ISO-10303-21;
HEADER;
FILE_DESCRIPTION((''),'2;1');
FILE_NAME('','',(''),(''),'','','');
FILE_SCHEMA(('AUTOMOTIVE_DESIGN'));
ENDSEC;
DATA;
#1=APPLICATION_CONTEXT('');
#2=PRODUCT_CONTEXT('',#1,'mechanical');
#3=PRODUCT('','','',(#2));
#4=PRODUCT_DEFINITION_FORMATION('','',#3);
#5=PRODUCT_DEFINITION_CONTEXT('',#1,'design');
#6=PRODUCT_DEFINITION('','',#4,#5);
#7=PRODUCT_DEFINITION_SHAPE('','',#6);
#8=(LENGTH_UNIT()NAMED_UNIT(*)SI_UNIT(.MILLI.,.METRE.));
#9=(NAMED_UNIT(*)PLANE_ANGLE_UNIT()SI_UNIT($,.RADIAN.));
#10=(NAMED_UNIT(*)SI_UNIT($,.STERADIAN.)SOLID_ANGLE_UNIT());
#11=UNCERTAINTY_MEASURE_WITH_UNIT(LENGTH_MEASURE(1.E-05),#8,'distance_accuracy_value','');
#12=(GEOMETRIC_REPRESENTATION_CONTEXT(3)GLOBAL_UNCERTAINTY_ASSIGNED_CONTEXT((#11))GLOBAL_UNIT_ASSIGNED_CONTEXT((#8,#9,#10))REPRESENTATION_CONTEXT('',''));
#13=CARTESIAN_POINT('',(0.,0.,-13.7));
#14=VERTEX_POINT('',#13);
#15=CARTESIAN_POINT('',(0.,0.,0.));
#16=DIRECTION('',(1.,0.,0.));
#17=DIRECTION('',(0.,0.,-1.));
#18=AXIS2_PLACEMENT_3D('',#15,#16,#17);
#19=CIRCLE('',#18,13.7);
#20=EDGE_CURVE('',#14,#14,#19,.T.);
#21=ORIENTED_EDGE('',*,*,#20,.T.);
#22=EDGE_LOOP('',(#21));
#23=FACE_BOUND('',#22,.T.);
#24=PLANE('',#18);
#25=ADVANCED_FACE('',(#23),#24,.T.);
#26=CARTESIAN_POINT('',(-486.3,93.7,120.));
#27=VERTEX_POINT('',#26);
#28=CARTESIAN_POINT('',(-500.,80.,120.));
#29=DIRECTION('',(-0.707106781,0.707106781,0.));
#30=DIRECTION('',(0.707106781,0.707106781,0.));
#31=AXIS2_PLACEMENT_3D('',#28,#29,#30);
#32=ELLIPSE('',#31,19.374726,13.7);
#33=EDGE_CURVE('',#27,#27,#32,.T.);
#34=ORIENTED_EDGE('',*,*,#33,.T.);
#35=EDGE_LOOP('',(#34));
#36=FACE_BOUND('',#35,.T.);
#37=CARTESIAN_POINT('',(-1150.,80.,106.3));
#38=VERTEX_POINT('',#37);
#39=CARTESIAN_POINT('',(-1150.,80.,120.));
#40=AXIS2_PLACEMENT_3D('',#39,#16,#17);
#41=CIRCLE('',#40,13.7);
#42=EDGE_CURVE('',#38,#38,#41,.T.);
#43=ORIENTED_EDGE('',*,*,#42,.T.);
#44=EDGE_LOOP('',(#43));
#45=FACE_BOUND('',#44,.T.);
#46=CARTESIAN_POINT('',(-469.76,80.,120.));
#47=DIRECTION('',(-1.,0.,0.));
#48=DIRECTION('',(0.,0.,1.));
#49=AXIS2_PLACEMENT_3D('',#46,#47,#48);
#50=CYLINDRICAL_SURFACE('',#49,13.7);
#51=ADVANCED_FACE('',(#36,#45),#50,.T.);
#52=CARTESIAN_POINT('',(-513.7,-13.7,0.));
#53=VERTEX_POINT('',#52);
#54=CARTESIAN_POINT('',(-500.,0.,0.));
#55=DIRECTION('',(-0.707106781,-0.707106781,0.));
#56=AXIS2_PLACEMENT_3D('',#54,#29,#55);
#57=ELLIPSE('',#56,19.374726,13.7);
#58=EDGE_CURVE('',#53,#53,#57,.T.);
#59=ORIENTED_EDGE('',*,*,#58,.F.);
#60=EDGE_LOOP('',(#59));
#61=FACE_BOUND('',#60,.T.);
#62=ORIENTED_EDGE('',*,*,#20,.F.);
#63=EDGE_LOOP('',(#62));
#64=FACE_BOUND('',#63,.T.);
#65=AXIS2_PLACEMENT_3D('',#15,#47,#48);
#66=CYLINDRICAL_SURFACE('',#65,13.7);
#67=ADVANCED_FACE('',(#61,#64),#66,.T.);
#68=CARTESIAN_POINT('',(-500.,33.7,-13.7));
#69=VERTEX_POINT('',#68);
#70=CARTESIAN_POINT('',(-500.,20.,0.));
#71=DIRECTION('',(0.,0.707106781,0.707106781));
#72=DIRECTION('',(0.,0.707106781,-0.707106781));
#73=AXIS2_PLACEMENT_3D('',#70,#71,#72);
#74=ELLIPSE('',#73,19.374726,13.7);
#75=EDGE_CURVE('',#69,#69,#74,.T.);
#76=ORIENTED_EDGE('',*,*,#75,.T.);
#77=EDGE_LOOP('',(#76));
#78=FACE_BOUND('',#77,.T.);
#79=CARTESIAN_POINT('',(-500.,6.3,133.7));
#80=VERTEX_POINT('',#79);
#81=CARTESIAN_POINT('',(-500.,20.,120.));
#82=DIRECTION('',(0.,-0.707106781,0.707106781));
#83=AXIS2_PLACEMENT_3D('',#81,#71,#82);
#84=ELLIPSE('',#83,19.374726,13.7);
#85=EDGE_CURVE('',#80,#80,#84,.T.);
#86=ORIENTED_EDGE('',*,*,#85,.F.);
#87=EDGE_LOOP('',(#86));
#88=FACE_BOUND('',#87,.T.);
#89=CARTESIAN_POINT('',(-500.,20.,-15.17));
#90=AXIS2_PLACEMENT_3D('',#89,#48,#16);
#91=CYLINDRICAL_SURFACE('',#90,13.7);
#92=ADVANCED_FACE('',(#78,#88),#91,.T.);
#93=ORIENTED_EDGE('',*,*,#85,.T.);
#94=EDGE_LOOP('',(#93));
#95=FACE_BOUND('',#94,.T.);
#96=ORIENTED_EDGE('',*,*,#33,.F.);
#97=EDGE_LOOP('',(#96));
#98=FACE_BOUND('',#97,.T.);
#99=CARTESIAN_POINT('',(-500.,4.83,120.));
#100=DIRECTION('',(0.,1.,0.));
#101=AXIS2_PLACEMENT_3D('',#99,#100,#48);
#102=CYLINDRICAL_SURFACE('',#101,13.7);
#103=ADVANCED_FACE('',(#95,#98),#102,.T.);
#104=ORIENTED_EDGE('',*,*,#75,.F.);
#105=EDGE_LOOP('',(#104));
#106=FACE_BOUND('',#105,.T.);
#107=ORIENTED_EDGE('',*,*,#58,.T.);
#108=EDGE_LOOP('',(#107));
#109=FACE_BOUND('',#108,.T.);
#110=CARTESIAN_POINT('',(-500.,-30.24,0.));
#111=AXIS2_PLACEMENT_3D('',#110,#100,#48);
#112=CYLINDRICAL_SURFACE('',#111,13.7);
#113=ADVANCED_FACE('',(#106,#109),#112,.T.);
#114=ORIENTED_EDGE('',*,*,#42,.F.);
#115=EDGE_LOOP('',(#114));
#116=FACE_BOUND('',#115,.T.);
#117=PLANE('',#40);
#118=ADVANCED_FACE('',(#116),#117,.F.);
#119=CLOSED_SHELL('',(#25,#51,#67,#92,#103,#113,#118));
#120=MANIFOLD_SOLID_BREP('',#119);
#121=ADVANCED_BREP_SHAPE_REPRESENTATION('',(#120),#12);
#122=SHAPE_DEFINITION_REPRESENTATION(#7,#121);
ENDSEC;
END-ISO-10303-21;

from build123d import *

# Parameters (mm, degrees)
CROQUIS1_R = 13.7


with BuildPart() as part:
    # Barrer1: sweep along a curve in space
    with BuildLine() as barrer1_path:
        Line((0, 0, 0), (-500, 0, 0))
        Line((-500, 0, 0), (-500, 20, 0))
        Line((-500, 20, 0), (-500, 20, 120))
        Line((-500, 20, 120), (-500, 80, 120))
        Line((-500, 80, 120), (-1150, 80, 120))
    # Croquis1 → Barrer1 (sweep)
    with BuildSketch(Plane(origin=(0, 0, 0), x_dir=(0, 0, -1), z_dir=(1, 0, 0))):
        Circle(CROQUIS1_R)
    sweep(path=barrer1_path.line, transition=Transition.RIGHT)


solid = part.part
